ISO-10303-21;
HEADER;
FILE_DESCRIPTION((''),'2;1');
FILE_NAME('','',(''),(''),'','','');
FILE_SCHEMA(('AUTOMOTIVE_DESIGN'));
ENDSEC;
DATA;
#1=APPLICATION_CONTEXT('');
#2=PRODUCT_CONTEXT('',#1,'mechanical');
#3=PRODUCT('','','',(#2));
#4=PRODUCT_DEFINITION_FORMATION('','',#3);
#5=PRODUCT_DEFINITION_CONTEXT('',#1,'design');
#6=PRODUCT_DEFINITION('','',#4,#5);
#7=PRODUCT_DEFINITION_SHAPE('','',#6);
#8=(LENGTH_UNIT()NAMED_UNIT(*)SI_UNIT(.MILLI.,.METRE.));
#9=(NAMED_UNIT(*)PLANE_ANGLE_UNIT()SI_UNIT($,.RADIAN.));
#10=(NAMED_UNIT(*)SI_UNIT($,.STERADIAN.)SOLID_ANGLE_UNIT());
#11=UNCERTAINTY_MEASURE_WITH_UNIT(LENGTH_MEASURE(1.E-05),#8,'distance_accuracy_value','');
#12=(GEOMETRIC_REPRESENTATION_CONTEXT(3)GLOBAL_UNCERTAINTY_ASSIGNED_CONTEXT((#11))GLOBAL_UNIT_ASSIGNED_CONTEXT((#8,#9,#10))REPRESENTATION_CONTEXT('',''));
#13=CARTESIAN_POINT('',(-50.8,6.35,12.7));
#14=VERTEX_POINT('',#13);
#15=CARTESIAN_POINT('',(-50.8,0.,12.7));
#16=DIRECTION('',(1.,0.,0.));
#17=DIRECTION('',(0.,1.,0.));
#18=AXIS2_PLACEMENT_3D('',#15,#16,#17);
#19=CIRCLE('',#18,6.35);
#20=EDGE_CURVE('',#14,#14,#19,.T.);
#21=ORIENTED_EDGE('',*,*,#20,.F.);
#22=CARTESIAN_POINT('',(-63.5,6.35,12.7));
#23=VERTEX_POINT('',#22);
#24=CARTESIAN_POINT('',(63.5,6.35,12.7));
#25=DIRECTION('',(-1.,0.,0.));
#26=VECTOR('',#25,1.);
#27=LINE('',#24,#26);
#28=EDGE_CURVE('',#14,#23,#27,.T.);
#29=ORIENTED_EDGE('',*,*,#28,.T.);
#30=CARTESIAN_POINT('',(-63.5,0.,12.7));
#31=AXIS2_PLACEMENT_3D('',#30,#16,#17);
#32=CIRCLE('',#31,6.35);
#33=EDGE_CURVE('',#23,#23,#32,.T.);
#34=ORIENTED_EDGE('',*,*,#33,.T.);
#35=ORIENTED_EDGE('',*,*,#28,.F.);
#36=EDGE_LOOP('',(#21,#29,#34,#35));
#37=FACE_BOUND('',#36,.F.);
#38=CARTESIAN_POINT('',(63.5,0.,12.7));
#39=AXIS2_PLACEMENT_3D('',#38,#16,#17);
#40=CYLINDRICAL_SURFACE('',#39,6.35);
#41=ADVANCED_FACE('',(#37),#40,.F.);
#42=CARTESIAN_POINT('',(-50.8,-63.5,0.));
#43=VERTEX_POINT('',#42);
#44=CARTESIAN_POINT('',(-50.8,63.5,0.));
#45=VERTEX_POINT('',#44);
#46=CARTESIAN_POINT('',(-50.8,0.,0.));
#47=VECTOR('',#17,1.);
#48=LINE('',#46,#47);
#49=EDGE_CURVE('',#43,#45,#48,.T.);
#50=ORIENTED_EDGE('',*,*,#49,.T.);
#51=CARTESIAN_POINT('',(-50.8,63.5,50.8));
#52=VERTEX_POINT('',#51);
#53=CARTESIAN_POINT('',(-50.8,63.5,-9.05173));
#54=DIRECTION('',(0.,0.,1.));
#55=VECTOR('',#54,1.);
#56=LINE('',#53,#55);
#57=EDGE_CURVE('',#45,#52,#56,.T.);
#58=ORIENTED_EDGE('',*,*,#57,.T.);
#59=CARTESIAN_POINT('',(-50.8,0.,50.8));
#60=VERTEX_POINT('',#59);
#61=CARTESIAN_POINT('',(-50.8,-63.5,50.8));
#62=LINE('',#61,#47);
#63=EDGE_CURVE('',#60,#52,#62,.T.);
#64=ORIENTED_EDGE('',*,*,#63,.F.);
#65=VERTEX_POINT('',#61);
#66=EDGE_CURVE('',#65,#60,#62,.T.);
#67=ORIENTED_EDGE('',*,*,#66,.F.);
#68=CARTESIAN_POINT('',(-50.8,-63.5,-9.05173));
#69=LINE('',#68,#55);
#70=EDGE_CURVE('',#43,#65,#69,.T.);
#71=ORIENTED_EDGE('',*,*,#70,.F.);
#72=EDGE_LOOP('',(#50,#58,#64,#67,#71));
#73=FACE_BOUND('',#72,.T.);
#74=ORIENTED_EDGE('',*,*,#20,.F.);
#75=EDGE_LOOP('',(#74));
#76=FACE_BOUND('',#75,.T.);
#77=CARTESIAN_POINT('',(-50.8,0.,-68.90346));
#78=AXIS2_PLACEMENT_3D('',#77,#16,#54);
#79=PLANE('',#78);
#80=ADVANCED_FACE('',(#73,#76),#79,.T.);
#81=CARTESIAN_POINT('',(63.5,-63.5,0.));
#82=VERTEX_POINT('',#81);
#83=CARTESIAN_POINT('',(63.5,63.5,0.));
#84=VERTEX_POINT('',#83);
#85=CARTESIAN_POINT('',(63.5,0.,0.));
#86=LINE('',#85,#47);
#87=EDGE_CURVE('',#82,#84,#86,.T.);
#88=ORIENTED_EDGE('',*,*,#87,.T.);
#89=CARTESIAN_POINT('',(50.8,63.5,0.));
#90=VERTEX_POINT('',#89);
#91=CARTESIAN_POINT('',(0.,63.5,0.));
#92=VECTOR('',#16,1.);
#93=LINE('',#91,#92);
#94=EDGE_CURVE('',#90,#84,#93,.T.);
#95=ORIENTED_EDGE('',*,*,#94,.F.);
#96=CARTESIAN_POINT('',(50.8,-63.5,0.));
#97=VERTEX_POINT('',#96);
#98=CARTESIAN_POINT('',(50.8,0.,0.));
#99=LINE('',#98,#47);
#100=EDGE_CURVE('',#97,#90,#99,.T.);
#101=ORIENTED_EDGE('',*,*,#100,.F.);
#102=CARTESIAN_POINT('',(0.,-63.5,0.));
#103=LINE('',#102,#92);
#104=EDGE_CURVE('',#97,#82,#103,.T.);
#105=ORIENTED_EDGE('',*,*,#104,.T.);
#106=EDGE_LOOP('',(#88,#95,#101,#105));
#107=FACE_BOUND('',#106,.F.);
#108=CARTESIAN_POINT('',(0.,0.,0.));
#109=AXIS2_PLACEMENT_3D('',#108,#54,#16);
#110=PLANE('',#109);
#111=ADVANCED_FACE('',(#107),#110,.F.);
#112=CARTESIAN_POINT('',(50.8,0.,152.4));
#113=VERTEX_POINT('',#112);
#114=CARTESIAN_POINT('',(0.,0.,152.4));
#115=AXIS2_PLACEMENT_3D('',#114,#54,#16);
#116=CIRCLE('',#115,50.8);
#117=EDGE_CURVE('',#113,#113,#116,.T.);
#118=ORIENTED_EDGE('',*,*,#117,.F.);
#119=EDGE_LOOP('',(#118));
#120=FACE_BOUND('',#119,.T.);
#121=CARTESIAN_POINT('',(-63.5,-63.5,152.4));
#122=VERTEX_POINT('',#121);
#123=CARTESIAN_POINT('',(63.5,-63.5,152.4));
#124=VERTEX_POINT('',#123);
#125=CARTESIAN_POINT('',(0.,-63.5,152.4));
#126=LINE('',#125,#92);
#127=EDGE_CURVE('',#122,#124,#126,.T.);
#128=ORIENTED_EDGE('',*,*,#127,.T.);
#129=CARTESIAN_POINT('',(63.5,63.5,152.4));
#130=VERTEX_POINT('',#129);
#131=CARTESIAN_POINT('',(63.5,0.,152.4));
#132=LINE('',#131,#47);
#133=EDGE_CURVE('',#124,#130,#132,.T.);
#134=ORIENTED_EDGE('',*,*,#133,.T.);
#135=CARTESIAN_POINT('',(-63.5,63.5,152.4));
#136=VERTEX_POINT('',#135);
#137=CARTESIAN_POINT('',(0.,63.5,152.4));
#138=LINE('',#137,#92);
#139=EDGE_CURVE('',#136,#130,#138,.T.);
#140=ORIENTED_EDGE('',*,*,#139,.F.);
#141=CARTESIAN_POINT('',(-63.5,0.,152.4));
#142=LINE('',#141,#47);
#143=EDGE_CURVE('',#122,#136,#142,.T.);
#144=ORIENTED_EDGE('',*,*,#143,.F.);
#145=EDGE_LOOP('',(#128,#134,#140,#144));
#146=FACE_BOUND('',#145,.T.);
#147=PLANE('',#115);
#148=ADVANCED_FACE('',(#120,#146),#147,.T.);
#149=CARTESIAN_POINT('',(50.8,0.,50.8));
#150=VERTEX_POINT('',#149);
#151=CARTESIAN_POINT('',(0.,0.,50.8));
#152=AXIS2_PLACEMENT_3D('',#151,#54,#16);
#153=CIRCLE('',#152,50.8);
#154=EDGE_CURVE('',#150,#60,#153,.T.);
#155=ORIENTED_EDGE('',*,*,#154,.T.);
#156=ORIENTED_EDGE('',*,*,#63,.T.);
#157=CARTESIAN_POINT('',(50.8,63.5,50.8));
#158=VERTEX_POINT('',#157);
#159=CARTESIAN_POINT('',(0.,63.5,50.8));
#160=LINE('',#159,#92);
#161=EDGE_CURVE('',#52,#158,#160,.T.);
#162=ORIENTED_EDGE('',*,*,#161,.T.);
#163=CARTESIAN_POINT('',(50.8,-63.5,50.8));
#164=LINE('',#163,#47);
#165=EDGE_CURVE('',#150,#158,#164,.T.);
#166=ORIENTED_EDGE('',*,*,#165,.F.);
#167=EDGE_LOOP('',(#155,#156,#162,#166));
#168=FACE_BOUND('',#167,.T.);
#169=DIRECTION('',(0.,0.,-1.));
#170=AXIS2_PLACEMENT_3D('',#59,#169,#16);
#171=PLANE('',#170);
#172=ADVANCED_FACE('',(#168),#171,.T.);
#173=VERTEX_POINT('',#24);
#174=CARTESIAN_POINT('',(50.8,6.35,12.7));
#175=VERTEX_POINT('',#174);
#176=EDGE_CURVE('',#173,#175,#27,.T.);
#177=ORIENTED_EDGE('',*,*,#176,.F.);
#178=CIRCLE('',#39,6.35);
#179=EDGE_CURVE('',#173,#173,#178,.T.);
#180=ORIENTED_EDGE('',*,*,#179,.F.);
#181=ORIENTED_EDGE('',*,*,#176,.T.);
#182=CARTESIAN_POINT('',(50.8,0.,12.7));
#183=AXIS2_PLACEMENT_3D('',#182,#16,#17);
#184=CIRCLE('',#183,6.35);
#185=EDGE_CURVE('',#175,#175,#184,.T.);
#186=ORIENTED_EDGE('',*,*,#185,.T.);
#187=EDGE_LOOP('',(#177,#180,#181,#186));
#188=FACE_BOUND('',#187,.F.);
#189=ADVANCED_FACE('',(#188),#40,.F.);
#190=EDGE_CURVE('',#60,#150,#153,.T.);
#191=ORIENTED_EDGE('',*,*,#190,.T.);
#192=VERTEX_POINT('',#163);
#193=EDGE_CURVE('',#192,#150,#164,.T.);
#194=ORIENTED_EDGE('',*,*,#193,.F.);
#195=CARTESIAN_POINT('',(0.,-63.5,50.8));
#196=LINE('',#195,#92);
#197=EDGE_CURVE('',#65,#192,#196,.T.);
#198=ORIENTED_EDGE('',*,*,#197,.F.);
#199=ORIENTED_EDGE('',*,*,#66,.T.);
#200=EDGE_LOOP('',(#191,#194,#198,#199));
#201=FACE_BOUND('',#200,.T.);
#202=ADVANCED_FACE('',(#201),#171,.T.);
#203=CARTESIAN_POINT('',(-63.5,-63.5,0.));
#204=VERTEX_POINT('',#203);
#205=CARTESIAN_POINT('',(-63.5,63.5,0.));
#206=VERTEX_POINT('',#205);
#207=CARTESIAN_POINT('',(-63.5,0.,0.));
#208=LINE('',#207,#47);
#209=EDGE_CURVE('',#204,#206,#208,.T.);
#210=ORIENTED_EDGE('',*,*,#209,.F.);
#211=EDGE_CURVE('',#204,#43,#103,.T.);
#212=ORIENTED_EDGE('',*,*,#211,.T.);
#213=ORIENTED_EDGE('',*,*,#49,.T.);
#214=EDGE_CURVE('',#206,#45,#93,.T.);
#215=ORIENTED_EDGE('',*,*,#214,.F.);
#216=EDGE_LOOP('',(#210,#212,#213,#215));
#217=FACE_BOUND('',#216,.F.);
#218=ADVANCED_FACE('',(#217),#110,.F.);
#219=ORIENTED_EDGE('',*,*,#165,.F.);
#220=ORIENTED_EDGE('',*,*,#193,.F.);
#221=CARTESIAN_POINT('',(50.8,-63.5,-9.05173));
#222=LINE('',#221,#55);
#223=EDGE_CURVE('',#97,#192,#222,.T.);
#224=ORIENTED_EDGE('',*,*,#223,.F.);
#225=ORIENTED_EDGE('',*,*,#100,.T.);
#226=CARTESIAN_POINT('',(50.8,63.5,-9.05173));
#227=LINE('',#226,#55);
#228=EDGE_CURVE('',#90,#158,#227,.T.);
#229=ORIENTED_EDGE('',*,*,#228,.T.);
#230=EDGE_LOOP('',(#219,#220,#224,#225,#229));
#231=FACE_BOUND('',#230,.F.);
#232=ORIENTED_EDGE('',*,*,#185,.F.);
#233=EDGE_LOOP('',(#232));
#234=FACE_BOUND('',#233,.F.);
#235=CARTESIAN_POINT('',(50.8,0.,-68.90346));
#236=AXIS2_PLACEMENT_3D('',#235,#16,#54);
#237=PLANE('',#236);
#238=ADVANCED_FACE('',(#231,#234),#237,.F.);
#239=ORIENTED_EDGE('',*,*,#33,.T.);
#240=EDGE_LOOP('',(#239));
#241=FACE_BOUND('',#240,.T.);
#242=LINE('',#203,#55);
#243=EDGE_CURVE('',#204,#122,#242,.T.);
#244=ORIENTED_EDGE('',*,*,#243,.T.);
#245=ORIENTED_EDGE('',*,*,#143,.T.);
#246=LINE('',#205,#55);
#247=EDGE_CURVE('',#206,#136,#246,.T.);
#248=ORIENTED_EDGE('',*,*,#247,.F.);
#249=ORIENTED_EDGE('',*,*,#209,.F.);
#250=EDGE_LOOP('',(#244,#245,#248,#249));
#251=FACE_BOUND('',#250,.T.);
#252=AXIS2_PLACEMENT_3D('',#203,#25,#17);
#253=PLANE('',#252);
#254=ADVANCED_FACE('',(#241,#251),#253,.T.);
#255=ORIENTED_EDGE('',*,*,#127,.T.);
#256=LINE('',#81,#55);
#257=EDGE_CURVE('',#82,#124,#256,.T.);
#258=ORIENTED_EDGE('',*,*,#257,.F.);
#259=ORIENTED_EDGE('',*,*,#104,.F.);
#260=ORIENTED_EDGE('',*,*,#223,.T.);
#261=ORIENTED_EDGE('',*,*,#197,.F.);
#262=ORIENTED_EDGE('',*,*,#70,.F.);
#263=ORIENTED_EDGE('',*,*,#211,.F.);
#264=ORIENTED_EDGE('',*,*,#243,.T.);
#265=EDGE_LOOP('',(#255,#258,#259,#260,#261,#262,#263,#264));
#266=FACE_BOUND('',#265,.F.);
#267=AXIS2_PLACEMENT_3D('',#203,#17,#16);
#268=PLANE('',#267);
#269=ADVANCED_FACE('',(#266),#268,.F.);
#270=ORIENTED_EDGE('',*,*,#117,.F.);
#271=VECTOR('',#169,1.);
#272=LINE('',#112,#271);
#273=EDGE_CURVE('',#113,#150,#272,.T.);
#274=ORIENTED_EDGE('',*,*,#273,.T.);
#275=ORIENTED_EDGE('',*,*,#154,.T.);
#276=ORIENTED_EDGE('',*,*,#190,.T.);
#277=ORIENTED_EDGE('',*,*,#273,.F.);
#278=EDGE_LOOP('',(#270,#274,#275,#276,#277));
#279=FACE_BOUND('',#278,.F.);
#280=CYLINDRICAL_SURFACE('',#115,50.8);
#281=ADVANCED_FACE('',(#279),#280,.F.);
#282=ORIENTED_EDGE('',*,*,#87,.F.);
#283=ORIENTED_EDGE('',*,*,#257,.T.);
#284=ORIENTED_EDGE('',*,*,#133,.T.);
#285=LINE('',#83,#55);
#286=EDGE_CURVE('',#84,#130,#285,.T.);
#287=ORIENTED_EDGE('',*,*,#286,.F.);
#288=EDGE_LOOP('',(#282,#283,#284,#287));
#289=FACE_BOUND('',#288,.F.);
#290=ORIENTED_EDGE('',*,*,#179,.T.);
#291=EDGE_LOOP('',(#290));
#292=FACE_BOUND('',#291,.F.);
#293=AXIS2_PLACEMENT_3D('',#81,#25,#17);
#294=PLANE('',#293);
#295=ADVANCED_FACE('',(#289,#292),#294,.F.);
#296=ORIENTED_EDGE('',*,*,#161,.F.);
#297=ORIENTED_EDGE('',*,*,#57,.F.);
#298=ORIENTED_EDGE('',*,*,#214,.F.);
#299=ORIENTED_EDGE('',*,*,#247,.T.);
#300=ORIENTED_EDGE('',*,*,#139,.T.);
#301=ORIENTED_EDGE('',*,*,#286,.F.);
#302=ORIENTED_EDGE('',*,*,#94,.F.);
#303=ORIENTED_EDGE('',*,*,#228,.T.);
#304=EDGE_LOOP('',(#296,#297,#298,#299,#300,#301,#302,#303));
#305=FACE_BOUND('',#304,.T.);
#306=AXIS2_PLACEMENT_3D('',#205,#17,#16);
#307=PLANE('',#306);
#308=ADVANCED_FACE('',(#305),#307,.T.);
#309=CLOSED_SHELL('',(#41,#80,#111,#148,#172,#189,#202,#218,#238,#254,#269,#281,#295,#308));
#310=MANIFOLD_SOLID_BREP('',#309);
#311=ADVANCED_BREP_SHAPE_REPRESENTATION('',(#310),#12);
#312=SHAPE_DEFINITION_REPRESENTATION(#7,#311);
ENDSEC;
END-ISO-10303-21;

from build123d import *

# Parameters (mm, degrees)
F0_W     = 127
F0_H     = 127
F1_DEPTH = 152.4
F2_R     = 50.8
F3_DEPTH = 127
F4_W     = 101.6
F4_H     = 119.7034602863
F5_DEPTH = 63.5
F6_R     = 6.35
F7_DEPTH = 127


with BuildPart() as f1:
    # F0 (on Top) → F1 (new body)
    with BuildSketch(Plane.XY):
        Rectangle(F0_W, F0_H)
    extrude(amount=F1_DEPTH)

    # F2 (on face) → F3 (cut)
    with BuildSketch(Plane.XY.offset(152.4)):
        Circle(F2_R)
    extrude(amount=-F3_DEPTH, mode=Mode.SUBTRACT)

    # F4 (on Front) → F5 (cut, symmetric)
    with BuildSketch(Plane.XZ):
        with Locations((0, -9.0517301432)):
            Rectangle(F4_W, F4_H)
    extrude(amount=F5_DEPTH, both=True, mode=Mode.SUBTRACT)

    # F6 (on face) → F7 (cut)
    with BuildSketch(Plane.YZ.offset(63.5)):
        with Locations((0, 12.7)):
            Circle(F6_R)
    extrude(amount=-F7_DEPTH, mode=Mode.SUBTRACT)


solid = f1.part
